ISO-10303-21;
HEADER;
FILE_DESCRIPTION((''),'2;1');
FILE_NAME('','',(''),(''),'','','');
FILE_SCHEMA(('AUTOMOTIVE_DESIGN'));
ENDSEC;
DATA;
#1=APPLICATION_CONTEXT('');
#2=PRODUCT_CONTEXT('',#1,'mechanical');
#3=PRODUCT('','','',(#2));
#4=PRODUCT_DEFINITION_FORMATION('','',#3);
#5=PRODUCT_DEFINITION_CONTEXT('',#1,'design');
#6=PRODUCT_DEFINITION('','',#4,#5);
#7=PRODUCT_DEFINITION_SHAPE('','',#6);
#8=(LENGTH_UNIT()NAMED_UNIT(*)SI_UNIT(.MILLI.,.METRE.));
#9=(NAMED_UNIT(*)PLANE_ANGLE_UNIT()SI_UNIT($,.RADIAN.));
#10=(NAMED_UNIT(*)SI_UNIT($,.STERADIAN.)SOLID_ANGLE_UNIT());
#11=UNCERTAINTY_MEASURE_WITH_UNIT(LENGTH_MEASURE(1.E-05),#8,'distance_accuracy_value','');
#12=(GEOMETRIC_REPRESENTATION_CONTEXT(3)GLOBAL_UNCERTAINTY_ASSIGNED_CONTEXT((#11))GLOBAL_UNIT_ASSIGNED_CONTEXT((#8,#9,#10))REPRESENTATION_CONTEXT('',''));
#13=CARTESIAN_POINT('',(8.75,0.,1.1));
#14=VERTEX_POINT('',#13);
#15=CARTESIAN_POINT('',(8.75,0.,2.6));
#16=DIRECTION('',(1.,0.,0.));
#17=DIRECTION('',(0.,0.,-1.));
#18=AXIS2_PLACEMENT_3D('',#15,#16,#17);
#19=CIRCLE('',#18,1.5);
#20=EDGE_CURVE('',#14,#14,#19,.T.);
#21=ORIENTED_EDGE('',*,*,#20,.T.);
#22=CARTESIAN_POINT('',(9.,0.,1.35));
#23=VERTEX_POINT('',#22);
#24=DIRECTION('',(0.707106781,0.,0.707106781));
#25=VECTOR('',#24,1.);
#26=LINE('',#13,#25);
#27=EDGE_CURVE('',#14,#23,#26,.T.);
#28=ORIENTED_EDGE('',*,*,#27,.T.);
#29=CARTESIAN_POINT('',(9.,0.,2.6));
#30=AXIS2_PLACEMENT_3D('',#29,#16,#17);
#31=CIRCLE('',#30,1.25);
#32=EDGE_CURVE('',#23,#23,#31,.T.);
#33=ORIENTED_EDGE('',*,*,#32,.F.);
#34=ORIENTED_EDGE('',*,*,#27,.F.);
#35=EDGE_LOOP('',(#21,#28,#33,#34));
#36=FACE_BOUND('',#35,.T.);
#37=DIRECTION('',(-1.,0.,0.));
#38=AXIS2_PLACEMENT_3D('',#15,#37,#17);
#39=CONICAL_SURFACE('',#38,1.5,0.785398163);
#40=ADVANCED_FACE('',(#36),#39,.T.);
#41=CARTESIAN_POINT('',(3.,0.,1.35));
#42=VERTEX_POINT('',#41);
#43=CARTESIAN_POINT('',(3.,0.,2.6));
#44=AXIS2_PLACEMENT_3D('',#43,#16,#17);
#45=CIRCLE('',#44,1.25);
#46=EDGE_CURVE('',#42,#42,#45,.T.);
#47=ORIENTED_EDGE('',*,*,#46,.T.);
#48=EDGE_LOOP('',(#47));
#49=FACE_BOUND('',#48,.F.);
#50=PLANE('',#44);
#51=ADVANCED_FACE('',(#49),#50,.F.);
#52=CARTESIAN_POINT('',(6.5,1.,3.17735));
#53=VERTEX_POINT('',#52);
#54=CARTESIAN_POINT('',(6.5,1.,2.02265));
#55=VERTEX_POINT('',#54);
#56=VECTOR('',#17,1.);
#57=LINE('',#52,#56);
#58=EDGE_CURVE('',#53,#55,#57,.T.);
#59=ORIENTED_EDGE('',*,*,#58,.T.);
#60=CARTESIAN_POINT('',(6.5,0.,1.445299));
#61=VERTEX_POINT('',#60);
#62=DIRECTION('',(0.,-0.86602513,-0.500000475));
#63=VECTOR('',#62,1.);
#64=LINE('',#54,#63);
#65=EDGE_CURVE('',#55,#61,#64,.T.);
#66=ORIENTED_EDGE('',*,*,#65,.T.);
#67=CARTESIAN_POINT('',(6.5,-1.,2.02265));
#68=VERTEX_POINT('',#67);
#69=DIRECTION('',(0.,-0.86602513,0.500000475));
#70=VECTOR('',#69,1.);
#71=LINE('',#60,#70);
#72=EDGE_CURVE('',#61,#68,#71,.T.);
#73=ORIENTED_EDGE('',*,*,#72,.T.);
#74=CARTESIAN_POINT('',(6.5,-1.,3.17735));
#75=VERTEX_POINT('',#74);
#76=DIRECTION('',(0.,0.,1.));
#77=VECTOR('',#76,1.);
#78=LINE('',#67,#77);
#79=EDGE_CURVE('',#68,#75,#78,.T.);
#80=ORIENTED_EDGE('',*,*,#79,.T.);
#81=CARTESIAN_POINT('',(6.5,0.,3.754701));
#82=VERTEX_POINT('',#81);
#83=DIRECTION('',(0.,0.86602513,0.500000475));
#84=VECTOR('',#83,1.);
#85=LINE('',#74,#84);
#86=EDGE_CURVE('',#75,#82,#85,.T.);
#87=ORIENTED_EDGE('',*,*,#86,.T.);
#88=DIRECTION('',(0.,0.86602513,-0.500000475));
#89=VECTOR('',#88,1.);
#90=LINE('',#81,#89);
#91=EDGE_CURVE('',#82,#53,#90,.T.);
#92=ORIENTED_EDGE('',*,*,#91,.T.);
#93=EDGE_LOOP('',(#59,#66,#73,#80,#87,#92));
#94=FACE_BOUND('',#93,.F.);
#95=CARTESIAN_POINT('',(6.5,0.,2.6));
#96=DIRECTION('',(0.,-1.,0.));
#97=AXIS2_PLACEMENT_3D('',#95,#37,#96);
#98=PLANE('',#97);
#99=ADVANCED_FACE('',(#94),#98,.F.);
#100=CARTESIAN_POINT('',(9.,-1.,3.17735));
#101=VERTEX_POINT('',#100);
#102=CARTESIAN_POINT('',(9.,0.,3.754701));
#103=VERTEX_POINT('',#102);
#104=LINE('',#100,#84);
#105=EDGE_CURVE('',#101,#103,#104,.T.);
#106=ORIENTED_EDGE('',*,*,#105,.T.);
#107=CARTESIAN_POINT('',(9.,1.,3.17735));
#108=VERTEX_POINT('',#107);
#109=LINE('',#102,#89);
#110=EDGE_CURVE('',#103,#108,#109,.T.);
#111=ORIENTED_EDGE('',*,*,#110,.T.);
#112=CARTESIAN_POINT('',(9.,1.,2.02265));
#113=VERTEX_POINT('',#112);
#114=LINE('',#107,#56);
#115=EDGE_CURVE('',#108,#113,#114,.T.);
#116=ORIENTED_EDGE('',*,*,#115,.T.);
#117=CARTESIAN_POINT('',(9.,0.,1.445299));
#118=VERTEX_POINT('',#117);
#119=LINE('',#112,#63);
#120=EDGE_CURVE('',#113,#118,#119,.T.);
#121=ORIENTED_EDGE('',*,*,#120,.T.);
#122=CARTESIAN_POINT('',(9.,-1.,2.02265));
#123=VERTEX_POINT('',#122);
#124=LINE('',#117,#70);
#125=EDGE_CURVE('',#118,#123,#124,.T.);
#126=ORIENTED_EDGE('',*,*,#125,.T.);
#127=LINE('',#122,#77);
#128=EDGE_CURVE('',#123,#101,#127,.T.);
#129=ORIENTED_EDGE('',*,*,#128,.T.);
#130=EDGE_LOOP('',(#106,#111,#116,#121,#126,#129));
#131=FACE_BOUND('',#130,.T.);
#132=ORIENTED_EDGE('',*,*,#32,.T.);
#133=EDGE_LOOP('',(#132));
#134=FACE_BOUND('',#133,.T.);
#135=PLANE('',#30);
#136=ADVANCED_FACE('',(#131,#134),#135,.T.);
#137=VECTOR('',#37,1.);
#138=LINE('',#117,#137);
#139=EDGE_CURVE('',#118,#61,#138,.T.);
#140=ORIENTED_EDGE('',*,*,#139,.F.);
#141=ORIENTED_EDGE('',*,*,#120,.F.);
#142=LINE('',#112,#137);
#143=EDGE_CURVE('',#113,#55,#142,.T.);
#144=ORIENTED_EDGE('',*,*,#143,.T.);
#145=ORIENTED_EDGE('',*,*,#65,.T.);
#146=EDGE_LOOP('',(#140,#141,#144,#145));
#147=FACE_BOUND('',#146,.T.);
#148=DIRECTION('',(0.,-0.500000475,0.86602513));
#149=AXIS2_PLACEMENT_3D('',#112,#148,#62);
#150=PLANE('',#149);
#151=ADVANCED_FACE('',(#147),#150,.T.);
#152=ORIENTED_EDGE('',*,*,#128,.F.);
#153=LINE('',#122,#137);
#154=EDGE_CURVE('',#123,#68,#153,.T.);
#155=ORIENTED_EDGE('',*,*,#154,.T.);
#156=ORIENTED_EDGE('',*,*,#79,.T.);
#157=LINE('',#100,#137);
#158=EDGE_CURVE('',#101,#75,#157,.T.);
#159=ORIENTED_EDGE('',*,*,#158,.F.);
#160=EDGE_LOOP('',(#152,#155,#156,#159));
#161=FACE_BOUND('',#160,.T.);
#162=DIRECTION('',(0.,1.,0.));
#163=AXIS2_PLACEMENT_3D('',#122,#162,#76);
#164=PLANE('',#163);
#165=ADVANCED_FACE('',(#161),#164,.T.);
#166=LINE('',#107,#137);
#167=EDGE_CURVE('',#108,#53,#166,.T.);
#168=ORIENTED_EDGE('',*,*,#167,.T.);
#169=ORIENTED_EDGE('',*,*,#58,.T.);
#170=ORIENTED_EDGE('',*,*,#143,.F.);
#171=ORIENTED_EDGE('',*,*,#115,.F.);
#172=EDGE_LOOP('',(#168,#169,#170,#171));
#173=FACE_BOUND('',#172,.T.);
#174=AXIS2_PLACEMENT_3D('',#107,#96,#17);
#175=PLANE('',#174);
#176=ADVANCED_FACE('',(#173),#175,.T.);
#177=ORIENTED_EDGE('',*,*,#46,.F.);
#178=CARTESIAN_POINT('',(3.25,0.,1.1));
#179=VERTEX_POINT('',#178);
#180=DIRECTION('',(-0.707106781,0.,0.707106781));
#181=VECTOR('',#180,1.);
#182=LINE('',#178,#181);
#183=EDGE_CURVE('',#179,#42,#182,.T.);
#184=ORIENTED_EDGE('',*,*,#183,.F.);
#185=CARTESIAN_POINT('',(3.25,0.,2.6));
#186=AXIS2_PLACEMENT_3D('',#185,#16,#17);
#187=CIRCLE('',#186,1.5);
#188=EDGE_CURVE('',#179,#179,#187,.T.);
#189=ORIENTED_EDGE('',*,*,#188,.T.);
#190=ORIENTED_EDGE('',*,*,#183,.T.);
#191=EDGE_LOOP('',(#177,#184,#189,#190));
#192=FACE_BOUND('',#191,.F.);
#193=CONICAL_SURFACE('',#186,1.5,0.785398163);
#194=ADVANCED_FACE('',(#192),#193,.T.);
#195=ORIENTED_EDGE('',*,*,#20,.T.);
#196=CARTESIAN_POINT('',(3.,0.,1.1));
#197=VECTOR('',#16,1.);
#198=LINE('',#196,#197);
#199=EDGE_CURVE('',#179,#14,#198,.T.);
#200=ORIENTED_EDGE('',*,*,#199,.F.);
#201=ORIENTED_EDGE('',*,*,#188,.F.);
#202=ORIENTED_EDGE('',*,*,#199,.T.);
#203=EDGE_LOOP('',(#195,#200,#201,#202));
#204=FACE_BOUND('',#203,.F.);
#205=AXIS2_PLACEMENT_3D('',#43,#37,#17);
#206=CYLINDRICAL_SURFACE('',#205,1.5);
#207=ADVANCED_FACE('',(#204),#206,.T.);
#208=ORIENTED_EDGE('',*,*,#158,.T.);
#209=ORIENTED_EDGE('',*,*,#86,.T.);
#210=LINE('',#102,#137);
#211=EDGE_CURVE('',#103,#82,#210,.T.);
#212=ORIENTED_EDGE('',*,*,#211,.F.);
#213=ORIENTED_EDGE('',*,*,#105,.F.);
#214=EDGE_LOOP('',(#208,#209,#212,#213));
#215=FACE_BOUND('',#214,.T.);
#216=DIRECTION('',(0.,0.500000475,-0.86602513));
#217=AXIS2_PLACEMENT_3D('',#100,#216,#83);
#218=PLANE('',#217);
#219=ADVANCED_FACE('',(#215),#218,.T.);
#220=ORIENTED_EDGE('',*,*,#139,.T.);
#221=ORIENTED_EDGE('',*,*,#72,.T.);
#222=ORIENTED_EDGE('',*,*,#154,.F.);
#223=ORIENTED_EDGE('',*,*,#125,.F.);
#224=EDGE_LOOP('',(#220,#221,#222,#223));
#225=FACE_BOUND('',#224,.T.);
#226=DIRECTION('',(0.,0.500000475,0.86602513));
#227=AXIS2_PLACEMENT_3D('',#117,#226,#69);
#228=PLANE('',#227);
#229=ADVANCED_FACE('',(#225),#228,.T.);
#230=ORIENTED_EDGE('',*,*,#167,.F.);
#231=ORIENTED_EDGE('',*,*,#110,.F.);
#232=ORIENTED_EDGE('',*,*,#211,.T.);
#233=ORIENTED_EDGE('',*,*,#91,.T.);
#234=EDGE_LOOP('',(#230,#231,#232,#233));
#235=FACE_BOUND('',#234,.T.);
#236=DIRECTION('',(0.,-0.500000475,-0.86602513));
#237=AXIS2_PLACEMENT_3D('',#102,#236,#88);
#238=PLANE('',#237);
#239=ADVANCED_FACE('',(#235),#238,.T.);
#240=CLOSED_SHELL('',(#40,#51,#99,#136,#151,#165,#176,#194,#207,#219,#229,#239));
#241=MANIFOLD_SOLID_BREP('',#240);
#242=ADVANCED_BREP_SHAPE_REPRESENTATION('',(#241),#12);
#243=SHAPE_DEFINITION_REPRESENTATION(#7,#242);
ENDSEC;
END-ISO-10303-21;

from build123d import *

# Parameters (mm, degrees)
CYLINDER012010_R     = 1.5
CYLINDER012010_DEPTH = 6
CHAMFER002_SIZE      = 0.25
POCKET018_DEPTH      = 2.5


with BuildPart() as part:
    # Cylinder012010 → Cylinder012010 (new body)
    with BuildSketch(Plane(origin=(3, 0, 2.6), x_dir=(0, 0, -1), z_dir=(1, 0, 0))):
        Circle(CYLINDER012010_R)
    extrude(amount=CYLINDER012010_DEPTH)

    # Chamfer002
    chamfer002_edges = [part.edges().sort_by_distance(p)[0] for p in [
        (9, 0, 4.1),
        (3, 0, 4.1),
    ]]
    chamfer(chamfer002_edges, length=CHAMFER002_SIZE)

    # Sketch022 (on Face5 of Chamfer002) → Pocket018 (cut)
    with BuildSketch(Plane.YZ.offset(9)):
        Polygon((-1, 3.17735), (0, 3.754701), (1, 3.17735), (1, 2.02265), (0, 1.445299), (-1, 2.02265), align=None)
    extrude(amount=-POCKET018_DEPTH, mode=Mode.SUBTRACT)


solid = part.part
